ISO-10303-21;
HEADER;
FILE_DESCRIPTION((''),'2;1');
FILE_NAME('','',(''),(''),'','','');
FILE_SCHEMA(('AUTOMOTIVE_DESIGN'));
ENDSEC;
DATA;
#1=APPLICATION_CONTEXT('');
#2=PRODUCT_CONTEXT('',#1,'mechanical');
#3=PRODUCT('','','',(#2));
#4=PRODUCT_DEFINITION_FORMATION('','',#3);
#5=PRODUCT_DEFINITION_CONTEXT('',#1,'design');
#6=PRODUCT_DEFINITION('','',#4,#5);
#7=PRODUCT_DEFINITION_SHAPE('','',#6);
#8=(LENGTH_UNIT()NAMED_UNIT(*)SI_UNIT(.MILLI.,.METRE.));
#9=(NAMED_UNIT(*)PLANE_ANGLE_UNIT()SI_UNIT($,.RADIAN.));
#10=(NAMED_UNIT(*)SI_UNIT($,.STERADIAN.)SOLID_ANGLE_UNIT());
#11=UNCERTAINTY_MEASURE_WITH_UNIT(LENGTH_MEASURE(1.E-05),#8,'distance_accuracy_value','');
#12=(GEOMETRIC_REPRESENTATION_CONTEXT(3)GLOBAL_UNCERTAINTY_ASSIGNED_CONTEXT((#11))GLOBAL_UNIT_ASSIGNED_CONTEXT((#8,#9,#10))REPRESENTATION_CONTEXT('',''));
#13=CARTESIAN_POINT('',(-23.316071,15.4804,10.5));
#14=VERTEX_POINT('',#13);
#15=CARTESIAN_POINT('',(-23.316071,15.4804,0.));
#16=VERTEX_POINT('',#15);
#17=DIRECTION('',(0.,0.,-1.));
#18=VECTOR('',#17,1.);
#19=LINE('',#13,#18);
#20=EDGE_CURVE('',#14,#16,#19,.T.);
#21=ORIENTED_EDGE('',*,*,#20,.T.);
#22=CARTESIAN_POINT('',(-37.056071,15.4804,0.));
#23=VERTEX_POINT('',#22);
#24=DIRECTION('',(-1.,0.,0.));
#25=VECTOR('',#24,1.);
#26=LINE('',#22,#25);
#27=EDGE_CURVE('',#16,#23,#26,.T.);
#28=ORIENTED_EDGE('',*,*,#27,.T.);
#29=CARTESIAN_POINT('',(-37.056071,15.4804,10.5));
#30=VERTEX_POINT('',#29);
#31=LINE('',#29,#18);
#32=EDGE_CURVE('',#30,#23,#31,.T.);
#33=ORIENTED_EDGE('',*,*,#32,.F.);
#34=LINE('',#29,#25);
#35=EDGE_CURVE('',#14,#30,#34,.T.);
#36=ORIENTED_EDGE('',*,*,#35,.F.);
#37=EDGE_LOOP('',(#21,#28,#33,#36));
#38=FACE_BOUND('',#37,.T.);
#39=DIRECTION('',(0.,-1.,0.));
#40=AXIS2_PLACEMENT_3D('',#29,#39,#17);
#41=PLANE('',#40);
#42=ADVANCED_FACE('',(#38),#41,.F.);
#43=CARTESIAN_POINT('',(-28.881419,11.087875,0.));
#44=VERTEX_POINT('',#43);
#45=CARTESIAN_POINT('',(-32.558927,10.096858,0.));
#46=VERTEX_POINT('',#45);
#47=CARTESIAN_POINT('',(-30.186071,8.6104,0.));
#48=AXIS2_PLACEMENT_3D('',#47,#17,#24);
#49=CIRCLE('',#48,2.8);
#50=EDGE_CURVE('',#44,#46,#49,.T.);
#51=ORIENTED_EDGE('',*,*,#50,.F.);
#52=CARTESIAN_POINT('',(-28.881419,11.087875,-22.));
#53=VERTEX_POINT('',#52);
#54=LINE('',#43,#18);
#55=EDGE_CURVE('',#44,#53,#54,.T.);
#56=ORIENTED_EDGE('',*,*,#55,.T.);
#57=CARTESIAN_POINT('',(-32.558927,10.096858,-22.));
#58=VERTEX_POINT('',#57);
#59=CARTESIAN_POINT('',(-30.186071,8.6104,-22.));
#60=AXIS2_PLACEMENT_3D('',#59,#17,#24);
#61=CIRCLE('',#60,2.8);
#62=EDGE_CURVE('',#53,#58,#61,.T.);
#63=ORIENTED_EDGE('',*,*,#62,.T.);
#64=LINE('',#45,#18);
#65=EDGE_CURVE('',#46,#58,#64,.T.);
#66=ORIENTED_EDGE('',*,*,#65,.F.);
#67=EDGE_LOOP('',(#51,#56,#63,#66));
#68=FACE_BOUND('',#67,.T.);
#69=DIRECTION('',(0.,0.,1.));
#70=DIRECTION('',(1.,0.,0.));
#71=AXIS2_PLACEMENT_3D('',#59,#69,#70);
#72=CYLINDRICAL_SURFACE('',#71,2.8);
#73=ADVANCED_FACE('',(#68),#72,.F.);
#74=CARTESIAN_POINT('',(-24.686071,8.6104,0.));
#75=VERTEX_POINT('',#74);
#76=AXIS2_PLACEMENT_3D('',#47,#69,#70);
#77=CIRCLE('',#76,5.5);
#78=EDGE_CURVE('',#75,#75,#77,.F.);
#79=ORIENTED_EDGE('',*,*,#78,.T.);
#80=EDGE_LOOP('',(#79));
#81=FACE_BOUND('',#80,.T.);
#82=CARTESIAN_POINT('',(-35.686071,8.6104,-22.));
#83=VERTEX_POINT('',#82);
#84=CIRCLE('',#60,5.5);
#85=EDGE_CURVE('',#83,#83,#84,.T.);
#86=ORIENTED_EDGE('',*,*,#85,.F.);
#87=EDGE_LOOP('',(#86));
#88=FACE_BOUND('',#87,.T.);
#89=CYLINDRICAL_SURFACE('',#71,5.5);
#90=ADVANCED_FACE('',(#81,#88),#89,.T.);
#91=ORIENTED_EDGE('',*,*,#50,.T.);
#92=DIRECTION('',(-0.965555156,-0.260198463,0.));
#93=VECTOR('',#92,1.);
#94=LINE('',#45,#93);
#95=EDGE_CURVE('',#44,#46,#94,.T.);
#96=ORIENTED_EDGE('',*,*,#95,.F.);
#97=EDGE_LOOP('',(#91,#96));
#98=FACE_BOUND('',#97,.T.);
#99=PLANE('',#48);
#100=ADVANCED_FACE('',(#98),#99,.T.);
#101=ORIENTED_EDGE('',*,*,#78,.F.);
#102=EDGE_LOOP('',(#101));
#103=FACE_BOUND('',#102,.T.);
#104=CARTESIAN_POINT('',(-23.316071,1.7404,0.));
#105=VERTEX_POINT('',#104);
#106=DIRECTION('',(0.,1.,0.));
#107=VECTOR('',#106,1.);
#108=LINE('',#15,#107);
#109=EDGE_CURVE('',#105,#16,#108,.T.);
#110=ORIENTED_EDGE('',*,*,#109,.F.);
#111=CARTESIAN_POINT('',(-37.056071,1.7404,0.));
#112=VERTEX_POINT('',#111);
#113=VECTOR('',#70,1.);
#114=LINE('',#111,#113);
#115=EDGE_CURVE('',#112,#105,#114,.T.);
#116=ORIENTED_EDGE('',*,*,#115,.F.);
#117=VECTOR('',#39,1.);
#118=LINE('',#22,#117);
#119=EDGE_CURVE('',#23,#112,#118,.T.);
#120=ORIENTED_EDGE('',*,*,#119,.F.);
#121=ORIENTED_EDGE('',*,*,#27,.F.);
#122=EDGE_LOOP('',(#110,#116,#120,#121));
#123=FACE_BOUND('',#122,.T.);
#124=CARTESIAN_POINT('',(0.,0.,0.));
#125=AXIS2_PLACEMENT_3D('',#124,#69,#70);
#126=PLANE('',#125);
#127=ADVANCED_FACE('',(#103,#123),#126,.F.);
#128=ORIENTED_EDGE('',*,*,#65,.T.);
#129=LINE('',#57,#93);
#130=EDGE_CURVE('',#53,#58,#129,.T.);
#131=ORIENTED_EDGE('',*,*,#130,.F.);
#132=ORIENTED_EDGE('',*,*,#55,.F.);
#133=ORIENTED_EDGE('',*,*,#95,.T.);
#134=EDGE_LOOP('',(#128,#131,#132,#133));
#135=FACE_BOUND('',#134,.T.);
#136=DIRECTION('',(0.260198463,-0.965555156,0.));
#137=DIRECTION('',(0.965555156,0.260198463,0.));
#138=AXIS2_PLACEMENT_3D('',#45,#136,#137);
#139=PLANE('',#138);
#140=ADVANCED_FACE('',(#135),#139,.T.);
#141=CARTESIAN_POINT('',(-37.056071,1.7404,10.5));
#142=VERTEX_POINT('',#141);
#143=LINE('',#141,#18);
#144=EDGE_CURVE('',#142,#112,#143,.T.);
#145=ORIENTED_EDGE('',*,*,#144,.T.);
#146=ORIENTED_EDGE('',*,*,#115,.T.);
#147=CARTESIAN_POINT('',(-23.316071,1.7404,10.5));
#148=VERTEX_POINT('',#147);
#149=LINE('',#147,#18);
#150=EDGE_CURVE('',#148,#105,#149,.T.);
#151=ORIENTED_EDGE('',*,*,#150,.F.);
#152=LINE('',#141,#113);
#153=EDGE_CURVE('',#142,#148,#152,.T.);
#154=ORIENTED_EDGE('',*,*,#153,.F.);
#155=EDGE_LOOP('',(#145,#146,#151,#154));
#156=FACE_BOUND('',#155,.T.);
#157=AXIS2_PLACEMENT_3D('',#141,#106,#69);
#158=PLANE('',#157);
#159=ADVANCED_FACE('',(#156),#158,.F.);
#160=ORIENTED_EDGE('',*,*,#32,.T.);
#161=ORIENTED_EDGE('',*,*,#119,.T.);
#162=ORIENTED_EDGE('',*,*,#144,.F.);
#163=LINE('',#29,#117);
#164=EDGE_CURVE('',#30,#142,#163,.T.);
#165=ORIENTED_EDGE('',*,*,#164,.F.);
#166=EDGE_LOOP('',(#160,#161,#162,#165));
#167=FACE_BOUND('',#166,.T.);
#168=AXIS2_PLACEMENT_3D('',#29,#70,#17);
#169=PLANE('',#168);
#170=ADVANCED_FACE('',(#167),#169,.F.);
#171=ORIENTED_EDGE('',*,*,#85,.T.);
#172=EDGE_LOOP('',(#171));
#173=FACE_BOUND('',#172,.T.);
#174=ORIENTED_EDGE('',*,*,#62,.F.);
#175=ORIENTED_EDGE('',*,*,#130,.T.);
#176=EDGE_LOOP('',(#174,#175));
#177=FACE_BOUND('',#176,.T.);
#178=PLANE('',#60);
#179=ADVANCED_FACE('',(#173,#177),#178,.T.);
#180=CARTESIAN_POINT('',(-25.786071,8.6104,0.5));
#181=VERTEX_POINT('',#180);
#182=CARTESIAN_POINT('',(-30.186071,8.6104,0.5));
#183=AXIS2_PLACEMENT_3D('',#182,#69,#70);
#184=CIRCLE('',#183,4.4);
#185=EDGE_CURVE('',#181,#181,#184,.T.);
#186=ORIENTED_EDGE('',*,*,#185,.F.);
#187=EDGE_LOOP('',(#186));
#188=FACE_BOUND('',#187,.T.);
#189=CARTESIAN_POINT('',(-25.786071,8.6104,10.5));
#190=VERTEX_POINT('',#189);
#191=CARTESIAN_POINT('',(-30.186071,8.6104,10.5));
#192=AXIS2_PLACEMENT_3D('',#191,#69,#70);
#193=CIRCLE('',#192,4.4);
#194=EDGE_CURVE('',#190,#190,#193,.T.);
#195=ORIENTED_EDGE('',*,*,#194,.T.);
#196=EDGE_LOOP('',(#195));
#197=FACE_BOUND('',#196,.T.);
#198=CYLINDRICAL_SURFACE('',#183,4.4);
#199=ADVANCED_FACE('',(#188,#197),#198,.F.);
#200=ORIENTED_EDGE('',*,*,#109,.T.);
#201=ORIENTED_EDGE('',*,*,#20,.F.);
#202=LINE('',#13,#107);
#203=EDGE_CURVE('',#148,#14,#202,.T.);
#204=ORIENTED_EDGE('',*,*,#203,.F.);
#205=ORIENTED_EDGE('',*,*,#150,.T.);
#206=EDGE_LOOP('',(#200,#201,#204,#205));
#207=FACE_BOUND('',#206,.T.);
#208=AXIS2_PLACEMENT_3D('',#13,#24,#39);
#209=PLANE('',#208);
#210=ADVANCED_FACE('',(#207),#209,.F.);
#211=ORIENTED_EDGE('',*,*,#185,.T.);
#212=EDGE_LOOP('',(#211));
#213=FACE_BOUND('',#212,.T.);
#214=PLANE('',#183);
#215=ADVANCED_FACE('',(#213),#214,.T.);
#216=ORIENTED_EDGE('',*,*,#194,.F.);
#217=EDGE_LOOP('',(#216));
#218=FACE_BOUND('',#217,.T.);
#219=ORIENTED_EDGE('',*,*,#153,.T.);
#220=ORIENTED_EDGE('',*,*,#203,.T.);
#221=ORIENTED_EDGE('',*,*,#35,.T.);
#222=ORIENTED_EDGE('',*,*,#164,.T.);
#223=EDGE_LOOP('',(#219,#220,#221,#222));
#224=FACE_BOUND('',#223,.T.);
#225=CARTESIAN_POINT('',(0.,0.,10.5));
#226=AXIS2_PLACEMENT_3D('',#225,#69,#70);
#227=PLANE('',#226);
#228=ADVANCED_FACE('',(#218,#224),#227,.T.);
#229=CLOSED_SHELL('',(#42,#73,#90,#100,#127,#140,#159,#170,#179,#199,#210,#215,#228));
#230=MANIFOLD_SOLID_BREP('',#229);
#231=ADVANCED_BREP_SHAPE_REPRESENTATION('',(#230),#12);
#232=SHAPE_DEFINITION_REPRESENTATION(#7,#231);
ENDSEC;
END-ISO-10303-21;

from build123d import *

# Parameters (mm, degrees)
ESQUISSE1_W             = 13.74
ESQUISSE1_H             = 13.74
BOSS_EXTRU_1_DEPTH      = 10.5
ESQUISSE3_R             = 4.4
ENL_V_MAT_EXTRU_2_DEPTH = 10
ESQUISSE8_R             = 5.5
BOSS_EXTRU_2_DEPTH      = 22
ESQUISSE2_R             = 2.8
ENL_V_MAT_EXTRU_3_DEPTH = 22
BOSS_EXTRU_3_DEPTH      = 22


with BuildPart() as part:
    # Esquisse1 → Boss.-Extru.1 (new body)
    with BuildSketch(Plane.XY):
        with Locations((-30.186071131, 8.6104)):
            Rectangle(ESQUISSE1_W, ESQUISSE1_H)
    extrude(amount=BOSS_EXTRU_1_DEPTH)

    # Esquisse3 → Enlèv. mat.-Extru.2 (cut)
    with BuildSketch(Plane.XY.offset(10.5)):
        with Locations((-30.186071131, 8.6104)):
            Circle(ESQUISSE3_R)
    extrude(amount=-ENL_V_MAT_EXTRU_2_DEPTH, mode=Mode.SUBTRACT)

    # Esquisse8 → Boss.-Extru.2 (add)
    with BuildSketch(Plane(origin=(0, 0, 0), x_dir=(-1, 0, 0), z_dir=(0, 0, -1))):
        with Locations(Location((30.186071131, 8.6104, 0), (0, 0, 180))):
            Circle(ESQUISSE8_R)
    extrude(amount=BOSS_EXTRU_2_DEPTH)

    # Esquisse2 → Enlèv. mat.-Extru.3 (cut)
    with BuildSketch(Plane(origin=(0, 0, 0), x_dir=(-1, 0, 0), z_dir=(0, 0, -1))):
        with Locations((30.186071131, 8.6104)):
            Circle(ESQUISSE2_R)
    extrude(amount=ENL_V_MAT_EXTRU_3_DEPTH, mode=Mode.SUBTRACT)

    # Esquisse9 → Boss.-Extru.3 (add)
    with BuildSketch(Plane(origin=(0, 0, -22), x_dir=(-1, 0, 0), z_dir=(0, 0, -1))):
        with BuildLine():
            Line((32.558926644, 10.096857773), (28.881418946, 11.087875061))
            ThreePointArc((28.881418946, 11.087875061), (30.919504526, 11.332054799), (32.558926644, 10.096857773))
        make_face()
    extrude(amount=-BOSS_EXTRU_3_DEPTH)


solid = part.part
